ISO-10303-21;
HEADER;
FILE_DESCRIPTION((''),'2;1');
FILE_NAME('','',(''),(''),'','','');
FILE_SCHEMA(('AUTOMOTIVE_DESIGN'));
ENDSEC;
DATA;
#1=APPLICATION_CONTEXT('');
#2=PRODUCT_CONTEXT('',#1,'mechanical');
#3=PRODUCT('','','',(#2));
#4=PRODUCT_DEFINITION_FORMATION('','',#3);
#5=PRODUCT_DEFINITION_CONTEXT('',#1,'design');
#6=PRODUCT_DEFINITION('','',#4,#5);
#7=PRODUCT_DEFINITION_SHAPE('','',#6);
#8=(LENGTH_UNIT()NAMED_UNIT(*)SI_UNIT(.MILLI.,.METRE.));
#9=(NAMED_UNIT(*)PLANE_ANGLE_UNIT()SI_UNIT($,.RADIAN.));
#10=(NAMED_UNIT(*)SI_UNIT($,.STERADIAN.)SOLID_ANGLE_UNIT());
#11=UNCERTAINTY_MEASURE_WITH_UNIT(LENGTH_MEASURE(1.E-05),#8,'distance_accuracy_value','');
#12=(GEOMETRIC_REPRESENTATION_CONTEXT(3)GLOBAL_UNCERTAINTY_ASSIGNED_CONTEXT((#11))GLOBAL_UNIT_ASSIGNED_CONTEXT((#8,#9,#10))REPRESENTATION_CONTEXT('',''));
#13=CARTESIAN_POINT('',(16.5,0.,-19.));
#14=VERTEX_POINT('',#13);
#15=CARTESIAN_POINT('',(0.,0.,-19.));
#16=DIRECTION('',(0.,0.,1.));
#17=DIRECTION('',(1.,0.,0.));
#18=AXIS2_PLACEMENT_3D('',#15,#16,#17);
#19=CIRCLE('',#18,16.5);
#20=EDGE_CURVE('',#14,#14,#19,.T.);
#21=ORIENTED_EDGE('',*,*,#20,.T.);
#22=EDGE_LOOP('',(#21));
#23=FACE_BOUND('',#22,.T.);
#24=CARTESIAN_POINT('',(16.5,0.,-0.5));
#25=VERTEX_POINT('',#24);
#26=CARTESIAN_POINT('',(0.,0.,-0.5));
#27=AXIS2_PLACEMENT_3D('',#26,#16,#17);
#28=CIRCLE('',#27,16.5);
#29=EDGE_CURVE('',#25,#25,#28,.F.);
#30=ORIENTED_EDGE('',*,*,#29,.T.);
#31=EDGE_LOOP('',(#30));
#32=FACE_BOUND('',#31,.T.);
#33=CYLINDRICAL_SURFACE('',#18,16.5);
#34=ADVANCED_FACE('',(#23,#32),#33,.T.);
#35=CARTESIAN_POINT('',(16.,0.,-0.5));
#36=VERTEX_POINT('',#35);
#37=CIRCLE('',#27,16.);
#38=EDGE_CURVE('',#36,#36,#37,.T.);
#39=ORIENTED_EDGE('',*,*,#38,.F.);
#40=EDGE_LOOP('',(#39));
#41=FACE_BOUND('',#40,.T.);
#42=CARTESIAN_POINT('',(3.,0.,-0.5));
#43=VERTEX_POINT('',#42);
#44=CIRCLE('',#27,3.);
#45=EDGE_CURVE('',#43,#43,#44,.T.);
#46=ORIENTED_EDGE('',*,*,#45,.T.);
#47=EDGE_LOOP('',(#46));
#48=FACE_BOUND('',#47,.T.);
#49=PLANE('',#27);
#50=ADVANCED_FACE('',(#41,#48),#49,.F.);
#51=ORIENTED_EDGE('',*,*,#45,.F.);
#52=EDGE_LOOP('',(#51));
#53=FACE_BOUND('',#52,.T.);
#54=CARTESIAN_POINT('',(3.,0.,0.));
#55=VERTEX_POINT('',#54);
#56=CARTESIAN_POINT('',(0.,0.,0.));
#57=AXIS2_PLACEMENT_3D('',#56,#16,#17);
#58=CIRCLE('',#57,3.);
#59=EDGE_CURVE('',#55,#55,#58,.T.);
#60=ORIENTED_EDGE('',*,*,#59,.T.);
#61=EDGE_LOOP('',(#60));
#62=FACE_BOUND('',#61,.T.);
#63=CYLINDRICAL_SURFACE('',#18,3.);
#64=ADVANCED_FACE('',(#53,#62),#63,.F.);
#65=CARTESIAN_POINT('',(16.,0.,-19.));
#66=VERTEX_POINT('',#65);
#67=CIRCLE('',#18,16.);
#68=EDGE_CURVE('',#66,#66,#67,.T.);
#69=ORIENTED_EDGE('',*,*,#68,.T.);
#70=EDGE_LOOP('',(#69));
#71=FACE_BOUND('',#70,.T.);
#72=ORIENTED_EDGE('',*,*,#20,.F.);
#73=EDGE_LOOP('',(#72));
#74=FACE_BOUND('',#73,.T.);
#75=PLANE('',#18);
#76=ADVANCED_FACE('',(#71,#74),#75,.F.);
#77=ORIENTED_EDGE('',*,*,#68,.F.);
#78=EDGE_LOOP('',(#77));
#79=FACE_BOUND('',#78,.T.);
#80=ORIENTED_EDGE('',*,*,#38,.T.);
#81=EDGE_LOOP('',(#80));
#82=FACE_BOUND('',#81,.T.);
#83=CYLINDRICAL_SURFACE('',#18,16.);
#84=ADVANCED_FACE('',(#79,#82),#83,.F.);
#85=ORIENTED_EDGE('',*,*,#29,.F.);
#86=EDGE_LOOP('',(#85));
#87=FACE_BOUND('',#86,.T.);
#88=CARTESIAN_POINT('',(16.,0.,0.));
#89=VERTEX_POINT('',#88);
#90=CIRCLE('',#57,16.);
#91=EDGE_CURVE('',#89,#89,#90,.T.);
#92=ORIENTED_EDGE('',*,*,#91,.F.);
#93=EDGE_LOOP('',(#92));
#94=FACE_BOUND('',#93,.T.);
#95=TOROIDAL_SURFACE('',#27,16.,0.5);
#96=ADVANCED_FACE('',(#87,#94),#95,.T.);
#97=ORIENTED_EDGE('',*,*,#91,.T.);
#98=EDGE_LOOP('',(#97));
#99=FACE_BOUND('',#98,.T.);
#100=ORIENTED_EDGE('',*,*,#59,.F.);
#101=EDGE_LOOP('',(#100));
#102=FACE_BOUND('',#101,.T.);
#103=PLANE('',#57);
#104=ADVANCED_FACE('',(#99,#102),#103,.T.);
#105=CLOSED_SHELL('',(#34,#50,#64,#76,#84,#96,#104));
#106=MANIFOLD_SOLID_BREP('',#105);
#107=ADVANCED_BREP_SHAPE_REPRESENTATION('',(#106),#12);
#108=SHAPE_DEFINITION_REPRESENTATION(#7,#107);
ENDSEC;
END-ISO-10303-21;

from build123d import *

# Parameters (mm, degrees)
SKETCH1_R           = 16.5
BOSS_EXTRUDE1_DEPTH = 19
SHELL1_T            = -0.5
SKETCH2_R           = 3
CUT_EXTRUDE1_DEPTH  = 31.091527047
FILLET1_R           = 0.5


with BuildPart() as part:
    # Sketch1 → Boss-Extrude1 (new body)
    with BuildSketch(Plane.XY):
        Circle(SKETCH1_R)
    extrude(amount=-BOSS_EXTRUDE1_DEPTH)

    # Shell1
    shell1_openings = [part.faces().sort_by_distance(p)[0] for p in [
        (0, 0, -19),
    ]]
    offset(amount=SHELL1_T, openings=shell1_openings, kind=Kind.INTERSECTION)

    # Sketch2 → Cut-Extrude1 (cut, through all)
    with BuildSketch(Plane.XY):
        Circle(SKETCH2_R)
    extrude(amount=-CUT_EXTRUDE1_DEPTH, mode=Mode.SUBTRACT)

    # Fillet1
    fillet1_edges = [part.edges().sort_by_distance(p)[0] for p in [
        (-16.5, 0, 0),
    ]]
    fillet(fillet1_edges, radius=FILLET1_R)


solid = part.part
